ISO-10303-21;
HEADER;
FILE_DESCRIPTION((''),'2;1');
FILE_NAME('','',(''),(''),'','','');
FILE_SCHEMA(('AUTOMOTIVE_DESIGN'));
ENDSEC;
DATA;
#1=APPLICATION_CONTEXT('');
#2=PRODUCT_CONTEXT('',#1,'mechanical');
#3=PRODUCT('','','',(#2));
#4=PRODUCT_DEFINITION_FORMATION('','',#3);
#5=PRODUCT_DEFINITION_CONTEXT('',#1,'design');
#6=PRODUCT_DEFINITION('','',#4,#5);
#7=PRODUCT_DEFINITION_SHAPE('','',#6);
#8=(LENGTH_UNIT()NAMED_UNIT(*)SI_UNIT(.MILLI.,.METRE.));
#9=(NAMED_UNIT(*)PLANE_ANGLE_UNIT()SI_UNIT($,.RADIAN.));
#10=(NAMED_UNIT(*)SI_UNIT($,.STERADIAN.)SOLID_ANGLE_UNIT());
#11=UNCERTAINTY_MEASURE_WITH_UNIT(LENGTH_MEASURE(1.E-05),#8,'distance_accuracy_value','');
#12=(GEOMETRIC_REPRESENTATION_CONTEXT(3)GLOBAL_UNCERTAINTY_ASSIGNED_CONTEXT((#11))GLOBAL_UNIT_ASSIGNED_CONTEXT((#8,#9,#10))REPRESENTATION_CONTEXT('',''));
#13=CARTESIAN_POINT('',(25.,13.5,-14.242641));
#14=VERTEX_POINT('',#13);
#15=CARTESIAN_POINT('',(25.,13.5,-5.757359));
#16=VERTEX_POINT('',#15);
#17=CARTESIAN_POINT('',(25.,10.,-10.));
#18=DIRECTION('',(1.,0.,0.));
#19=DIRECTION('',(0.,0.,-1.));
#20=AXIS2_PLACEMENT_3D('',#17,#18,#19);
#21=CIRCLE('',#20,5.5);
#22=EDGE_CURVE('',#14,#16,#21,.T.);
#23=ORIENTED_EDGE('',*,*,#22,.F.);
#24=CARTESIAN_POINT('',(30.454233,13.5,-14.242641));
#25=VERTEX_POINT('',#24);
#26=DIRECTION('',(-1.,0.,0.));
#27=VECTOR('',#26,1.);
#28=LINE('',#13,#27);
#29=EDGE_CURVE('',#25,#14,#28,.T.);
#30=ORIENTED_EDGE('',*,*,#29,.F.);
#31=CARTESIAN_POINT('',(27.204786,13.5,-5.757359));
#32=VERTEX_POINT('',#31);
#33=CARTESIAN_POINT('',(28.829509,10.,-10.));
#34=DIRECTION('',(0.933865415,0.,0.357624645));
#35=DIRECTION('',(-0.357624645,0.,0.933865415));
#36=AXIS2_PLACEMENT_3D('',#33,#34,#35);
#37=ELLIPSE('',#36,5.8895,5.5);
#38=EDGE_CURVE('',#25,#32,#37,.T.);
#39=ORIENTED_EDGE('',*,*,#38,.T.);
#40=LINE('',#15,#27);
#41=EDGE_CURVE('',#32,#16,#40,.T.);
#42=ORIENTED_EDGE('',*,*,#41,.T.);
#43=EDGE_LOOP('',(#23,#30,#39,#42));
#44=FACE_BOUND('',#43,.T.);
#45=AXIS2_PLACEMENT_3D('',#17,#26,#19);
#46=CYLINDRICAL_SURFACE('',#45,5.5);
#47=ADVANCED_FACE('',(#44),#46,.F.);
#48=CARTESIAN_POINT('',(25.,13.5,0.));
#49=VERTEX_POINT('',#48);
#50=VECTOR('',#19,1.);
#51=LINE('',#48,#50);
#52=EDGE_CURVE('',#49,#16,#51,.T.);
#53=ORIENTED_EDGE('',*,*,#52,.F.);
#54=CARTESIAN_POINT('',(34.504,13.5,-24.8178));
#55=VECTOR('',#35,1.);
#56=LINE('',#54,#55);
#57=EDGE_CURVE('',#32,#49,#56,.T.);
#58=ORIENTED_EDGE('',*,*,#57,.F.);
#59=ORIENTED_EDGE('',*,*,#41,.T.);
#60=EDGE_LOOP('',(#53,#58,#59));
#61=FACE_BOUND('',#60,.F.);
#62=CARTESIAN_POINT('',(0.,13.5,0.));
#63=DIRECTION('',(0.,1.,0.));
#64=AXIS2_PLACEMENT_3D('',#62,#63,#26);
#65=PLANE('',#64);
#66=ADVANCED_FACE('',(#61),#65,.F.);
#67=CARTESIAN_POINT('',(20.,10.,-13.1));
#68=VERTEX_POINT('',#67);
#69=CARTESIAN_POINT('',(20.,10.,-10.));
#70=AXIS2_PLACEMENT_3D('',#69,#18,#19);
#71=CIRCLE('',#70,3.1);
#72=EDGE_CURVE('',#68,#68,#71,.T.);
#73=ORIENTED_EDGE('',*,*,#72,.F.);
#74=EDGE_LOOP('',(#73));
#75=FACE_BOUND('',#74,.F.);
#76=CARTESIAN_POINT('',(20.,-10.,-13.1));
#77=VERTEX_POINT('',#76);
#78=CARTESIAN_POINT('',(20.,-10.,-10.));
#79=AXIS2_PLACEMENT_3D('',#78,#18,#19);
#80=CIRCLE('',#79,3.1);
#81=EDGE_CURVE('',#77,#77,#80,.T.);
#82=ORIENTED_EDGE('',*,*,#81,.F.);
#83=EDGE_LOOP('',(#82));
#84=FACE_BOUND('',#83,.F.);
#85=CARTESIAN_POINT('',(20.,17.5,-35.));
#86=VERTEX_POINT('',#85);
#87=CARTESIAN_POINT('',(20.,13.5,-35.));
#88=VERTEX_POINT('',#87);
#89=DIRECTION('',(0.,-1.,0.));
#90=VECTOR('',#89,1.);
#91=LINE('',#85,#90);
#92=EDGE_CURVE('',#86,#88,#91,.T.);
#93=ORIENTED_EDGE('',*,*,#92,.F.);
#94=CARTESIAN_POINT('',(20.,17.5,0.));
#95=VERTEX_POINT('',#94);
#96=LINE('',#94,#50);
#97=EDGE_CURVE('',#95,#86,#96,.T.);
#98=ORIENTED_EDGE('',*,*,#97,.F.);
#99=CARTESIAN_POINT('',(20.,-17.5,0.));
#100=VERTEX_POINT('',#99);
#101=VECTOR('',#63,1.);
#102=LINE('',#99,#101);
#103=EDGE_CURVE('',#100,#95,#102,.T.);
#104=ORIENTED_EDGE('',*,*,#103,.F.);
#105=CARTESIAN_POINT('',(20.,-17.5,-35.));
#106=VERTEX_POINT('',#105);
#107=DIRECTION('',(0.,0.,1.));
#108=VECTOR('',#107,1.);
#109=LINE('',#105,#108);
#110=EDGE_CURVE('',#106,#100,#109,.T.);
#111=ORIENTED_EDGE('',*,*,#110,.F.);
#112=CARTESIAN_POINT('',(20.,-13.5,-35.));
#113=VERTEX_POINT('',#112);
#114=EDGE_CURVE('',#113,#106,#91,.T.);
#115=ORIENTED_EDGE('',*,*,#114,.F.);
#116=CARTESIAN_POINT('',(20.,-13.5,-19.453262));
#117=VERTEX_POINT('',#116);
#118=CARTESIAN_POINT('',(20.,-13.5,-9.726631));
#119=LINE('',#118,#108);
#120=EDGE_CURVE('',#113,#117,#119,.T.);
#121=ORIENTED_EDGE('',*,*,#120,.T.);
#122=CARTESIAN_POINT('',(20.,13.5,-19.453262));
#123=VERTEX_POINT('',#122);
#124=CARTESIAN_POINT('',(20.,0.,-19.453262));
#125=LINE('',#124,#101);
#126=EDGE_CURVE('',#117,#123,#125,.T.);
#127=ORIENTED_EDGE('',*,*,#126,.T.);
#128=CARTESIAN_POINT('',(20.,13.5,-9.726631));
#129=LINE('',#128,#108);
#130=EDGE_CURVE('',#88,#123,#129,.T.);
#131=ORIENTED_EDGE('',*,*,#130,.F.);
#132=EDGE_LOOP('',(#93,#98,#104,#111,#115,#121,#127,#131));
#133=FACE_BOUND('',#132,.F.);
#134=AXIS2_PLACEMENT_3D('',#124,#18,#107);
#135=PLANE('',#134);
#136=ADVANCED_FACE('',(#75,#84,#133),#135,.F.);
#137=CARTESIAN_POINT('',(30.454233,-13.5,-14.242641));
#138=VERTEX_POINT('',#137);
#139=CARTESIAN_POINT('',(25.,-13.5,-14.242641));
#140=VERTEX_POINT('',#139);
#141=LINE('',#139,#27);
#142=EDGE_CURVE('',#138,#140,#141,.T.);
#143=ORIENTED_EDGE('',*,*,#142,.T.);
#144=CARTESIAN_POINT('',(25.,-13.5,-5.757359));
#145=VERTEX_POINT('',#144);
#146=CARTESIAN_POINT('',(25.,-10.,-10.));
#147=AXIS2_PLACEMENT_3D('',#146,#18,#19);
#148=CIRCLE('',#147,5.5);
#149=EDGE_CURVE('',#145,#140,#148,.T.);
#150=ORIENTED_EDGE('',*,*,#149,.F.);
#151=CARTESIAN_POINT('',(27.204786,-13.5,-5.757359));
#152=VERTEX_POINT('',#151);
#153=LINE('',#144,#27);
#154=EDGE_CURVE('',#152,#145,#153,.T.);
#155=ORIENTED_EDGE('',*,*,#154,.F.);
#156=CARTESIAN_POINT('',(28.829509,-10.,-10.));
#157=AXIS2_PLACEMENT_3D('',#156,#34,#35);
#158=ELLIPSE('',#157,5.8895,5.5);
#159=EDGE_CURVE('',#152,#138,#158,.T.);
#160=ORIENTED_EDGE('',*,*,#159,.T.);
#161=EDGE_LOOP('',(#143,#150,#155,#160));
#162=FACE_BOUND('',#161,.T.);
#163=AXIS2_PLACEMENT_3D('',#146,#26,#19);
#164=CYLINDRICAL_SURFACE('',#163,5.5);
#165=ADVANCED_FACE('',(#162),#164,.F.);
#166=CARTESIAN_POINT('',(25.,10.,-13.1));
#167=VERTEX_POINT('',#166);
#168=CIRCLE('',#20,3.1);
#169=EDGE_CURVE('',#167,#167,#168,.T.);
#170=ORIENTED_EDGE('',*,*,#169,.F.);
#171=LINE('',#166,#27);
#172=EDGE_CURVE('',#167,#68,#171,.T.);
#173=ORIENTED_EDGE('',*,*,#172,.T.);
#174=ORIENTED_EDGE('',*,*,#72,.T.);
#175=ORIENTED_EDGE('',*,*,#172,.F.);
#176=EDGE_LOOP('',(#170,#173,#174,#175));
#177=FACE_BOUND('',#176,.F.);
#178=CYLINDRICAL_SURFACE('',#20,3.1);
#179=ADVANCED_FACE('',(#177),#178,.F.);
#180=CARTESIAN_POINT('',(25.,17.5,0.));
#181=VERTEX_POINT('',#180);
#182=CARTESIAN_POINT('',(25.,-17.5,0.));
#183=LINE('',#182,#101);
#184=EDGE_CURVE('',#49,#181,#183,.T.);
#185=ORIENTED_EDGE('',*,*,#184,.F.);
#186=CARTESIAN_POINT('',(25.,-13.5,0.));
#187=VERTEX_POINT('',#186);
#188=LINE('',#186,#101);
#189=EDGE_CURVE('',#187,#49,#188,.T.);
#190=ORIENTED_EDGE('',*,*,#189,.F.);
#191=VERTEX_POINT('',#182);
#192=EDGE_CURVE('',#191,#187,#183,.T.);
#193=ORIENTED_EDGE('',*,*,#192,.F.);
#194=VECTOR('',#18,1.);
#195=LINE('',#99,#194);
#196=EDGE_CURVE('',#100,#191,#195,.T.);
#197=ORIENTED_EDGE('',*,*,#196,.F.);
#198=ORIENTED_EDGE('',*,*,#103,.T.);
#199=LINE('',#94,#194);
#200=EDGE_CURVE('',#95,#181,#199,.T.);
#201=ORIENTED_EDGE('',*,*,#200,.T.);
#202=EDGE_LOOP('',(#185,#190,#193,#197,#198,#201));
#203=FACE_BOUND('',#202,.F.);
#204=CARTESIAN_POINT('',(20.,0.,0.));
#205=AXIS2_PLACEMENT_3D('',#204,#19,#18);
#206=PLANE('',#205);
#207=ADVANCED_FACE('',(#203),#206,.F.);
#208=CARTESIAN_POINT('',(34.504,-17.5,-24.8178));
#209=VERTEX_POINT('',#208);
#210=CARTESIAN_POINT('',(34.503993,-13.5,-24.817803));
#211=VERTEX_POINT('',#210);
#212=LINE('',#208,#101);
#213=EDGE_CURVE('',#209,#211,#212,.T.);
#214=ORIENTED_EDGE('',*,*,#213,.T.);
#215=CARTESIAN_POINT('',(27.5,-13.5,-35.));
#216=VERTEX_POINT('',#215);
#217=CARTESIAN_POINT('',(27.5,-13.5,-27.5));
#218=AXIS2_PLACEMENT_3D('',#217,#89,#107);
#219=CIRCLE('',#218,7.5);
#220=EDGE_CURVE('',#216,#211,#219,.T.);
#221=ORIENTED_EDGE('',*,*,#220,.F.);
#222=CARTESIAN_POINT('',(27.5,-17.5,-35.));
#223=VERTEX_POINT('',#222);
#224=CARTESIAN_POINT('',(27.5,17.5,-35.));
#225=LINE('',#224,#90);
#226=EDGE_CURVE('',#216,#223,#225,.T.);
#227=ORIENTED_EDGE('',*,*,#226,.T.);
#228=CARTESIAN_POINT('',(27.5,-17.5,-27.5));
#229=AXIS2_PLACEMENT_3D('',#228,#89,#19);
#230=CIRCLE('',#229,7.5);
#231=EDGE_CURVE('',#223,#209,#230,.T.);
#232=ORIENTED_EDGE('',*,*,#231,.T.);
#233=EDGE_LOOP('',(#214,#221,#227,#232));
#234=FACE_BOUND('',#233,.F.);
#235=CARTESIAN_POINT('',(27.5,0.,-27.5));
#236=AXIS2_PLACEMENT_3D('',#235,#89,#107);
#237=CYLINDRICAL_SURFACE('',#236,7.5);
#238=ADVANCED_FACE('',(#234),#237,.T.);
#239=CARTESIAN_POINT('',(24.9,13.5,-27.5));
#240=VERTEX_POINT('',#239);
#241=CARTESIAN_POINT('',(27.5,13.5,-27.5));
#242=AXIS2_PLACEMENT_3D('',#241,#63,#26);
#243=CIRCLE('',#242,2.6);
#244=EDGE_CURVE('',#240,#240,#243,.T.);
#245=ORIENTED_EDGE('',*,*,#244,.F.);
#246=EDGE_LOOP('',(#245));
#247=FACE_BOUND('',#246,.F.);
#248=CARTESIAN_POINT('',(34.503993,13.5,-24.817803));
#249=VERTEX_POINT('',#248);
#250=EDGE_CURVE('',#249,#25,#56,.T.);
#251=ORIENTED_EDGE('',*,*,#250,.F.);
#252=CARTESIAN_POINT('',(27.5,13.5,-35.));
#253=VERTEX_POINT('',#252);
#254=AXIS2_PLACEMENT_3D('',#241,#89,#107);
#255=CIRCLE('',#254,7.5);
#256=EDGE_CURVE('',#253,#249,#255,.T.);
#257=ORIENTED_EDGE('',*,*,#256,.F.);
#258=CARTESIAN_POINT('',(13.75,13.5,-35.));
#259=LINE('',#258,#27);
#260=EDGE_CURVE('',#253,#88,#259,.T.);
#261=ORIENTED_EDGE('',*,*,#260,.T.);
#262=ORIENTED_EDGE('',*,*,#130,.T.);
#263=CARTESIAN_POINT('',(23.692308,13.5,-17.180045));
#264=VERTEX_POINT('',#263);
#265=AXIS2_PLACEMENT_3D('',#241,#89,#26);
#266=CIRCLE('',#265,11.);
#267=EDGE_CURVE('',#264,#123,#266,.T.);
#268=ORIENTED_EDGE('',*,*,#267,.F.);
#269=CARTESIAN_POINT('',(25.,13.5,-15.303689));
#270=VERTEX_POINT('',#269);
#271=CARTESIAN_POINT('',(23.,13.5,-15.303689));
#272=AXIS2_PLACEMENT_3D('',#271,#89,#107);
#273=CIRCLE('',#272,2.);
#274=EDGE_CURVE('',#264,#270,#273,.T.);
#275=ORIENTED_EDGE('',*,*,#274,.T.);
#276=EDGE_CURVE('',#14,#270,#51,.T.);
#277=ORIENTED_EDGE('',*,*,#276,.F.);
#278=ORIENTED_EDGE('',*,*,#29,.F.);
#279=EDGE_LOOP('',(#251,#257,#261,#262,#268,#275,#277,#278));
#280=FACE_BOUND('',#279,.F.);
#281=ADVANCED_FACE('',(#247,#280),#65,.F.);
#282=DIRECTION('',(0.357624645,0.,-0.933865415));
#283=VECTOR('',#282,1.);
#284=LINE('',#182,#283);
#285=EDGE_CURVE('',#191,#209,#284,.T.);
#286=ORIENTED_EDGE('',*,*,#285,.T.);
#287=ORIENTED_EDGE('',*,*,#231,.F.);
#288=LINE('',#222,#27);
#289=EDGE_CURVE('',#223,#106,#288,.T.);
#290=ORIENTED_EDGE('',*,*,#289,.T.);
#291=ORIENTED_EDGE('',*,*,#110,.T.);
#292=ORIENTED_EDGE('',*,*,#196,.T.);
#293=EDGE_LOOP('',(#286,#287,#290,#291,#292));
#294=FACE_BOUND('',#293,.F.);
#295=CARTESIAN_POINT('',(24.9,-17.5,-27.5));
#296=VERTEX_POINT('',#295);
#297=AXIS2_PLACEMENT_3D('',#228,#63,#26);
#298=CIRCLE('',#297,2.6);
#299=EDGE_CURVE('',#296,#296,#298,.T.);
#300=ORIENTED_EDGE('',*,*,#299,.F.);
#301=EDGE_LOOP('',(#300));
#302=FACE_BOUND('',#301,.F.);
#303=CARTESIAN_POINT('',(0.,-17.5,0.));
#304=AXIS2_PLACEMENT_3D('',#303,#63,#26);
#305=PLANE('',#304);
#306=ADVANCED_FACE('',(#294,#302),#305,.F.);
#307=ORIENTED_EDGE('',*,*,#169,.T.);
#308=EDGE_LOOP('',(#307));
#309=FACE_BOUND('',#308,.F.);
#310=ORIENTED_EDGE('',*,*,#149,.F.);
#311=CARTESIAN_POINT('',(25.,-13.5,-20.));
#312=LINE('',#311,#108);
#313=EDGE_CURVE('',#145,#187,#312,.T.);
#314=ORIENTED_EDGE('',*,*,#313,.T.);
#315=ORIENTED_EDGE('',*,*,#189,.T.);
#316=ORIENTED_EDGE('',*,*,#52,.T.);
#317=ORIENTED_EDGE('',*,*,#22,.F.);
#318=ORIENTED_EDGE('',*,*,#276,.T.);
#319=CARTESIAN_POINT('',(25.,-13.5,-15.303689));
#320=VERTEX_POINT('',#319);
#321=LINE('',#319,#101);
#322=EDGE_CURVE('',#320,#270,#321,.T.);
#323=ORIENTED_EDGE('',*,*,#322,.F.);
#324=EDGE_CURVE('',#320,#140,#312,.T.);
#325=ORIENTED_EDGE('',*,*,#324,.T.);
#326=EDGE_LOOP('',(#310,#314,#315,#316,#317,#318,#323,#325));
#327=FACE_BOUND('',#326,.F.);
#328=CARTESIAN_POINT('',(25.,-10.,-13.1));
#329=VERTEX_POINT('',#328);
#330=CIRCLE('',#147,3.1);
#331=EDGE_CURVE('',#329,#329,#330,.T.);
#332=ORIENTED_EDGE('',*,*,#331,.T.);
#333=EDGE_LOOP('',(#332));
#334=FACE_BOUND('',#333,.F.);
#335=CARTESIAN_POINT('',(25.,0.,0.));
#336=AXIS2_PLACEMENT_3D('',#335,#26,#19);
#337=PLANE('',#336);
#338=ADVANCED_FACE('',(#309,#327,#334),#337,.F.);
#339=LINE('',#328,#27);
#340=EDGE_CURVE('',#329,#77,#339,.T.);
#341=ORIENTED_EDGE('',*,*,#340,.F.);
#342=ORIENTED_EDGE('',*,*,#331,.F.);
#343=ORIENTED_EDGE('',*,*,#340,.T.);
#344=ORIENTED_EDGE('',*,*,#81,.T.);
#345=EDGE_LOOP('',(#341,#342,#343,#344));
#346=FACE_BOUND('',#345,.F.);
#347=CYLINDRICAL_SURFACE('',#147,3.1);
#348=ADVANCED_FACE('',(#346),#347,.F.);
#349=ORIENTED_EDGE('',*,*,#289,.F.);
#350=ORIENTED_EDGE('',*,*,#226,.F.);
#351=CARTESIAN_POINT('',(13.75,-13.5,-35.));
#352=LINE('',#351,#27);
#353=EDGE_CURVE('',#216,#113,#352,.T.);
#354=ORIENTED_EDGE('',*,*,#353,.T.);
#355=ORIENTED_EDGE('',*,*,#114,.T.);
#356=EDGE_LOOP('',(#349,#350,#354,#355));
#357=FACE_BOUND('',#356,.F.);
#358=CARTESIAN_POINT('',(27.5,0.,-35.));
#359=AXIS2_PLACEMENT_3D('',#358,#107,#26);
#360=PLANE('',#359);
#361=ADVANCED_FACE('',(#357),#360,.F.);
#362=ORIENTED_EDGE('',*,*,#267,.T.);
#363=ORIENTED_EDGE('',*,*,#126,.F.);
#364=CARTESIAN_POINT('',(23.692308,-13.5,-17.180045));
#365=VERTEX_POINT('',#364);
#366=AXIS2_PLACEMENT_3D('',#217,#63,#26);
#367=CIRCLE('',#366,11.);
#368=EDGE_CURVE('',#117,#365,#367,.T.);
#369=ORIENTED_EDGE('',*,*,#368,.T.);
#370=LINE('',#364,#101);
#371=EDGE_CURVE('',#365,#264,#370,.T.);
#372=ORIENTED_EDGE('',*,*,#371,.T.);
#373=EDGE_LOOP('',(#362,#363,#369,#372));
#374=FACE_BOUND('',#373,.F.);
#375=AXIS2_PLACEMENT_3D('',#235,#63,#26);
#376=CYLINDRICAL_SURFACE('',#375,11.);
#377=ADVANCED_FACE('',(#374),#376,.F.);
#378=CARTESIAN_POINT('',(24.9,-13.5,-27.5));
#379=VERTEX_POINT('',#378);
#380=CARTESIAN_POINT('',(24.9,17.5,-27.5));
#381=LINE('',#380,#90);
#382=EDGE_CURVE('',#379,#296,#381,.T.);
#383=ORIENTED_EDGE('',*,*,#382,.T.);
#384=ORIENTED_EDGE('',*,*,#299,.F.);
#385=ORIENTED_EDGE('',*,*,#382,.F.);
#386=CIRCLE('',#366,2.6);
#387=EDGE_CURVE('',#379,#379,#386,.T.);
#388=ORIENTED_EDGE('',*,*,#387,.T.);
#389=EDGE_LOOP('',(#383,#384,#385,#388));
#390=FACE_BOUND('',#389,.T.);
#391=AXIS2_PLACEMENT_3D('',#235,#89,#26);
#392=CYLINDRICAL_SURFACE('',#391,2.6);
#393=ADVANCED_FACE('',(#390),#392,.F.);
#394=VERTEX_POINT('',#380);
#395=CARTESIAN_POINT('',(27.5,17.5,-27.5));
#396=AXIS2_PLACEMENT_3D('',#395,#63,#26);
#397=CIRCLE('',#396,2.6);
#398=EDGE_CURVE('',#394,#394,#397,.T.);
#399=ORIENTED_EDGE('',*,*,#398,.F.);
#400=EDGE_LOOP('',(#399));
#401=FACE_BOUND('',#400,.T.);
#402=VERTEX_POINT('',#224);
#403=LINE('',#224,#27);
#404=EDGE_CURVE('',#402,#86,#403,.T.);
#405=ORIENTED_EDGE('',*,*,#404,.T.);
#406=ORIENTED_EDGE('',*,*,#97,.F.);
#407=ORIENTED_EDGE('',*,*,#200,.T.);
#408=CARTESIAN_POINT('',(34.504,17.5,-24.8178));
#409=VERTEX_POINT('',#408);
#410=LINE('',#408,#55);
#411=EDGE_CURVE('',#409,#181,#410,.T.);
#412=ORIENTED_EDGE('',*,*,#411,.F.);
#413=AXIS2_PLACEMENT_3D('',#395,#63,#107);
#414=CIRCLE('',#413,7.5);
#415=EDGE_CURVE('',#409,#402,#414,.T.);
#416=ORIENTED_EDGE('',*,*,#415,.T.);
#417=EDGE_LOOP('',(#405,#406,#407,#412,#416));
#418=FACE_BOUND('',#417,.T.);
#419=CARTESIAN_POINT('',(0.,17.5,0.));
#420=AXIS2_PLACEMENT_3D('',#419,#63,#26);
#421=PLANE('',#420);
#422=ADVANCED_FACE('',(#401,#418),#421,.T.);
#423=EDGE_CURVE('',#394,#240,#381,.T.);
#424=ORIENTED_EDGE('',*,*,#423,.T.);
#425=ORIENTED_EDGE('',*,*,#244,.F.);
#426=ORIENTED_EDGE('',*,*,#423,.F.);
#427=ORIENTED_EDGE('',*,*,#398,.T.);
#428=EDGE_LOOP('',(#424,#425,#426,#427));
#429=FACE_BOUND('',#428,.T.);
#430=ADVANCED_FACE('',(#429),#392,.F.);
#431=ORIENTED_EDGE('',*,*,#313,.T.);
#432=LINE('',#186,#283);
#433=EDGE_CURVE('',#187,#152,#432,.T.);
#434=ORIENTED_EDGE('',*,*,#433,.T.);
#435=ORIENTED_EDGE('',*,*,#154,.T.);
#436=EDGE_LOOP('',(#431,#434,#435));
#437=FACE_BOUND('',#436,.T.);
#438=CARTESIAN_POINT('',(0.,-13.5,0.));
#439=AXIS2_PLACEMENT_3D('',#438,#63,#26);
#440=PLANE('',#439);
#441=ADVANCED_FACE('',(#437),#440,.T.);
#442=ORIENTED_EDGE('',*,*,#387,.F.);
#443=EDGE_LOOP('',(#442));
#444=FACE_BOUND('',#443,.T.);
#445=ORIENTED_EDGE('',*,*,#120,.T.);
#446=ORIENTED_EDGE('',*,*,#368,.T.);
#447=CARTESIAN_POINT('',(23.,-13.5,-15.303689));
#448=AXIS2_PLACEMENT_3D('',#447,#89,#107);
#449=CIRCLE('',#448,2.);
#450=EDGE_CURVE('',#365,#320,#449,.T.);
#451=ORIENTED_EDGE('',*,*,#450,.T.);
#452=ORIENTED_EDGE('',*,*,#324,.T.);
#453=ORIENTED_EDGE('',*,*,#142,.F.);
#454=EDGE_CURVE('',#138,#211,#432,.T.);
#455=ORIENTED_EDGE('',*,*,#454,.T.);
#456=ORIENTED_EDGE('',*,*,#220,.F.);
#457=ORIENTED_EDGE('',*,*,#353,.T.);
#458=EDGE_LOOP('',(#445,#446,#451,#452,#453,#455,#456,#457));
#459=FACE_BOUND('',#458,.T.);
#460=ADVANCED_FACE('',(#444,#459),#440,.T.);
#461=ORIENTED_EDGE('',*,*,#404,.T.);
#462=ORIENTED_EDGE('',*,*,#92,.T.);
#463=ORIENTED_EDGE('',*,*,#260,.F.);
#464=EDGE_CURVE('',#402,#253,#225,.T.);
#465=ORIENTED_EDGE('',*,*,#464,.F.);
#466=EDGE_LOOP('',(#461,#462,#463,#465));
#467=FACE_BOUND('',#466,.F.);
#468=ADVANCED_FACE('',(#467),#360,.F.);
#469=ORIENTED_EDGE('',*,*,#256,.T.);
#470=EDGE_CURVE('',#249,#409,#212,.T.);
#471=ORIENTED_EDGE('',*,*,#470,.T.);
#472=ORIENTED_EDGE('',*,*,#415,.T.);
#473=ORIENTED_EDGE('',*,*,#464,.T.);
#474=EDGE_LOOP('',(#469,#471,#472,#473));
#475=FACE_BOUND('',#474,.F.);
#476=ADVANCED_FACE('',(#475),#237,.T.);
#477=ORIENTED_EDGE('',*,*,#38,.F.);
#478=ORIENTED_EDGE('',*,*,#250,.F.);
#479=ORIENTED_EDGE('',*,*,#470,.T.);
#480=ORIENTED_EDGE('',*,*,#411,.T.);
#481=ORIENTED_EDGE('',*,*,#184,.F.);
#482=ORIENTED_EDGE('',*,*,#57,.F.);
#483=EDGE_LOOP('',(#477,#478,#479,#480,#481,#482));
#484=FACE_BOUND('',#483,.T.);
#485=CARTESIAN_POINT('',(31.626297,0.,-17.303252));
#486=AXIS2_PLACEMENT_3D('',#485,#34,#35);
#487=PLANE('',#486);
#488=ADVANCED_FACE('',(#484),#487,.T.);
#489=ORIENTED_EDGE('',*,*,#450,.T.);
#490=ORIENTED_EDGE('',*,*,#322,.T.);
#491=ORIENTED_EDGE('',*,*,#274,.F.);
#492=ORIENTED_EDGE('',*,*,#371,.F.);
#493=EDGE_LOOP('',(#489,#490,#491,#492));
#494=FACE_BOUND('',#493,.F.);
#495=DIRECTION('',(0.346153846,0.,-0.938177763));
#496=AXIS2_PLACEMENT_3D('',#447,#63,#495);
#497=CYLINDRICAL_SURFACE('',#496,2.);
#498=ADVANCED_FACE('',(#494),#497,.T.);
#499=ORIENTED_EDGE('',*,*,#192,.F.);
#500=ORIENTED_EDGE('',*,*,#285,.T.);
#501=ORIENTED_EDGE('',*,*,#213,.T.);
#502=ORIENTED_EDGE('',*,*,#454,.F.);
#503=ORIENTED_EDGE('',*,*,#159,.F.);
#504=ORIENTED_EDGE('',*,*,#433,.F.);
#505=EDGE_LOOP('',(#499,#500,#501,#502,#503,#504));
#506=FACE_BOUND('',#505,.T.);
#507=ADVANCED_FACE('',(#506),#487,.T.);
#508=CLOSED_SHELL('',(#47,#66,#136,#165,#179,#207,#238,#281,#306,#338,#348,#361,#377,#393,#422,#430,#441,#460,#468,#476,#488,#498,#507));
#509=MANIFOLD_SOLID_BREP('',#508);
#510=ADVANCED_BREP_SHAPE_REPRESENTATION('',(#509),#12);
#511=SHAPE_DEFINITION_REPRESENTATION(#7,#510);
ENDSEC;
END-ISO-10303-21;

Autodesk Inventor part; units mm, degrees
ref_plane "YZ Plane" through (0, 0, 0) normal (1, 0, 0) x (0, 1, 0)
ref_plane "XZ Plane" through (0, 0, 0) normal (0, 1, 0) x (-1, 0, 0)
ref_plane "XY Plane" through (0, 0, 0) normal (0, 0, 1) x (1, 0, 0)
sketch "Sketch1" plane through (0, 0, 0) normal (0, 1, 0) x (-1, 0, 0)
  line L0 (0, 0) -> (-20, 0) construction
  line L1 (-20, 0) -> (-20, -20) construction
  line L2 (-20, -20) -> (0, -20) construction
  line L3 (0, -20) -> (0, 0) construction
  circle A0 centre (-27.5, -27.5) radius 2.6
  circle A1 centre (-27.5, -27.5) radius 9 construction
  line L4 (-20, 0) -> (-25, 0)
  line L5 (-25, 0) -> (-25, -20)
  line L6 (-20, -20) -> (-20, 0)
  arc A2 (-27.5, -20) -> (-27.5, -35) centre (-27.5, -27.5) ccw
  line L7 (-27.5, -35) -> (-20, -35)
  line L8 (-20, -20) -> (-20, -35)
  arc A3 (-27.5, -35) -> (-27.5, -20) centre (-27.5, -27.5) ccw construction
  line L9 (-27.5, -20) -> (-25, -20)
  circle A4 centre (-27.5, -27.5) radius 11
  line L10 (-34.504, -24.8178) -> (-25, 0)
  point P0 (-20, -19.4533)
  point P1 (-31.6263, -17.3032)
  dimension "d0" = 20
  dimension "d1" = 20
  dimension "d4" = 5.2
  dimension "d11" = 7.5
  dimension "d12" = 18
  dimension "d14" = 7.5
  dimension "d15" = 5
  dimension "d16" = 15
  dimension "d34" = 2
  dimension "d36" = 0
extrude "Extrusion1" add sketch "Sketch1" along normal mid plane 35 contours L6 A4 L5 L4 | L6 L8 L7 A2 L9 L5 A4
extrude "Extrusion4" cut sketch "Sketch1" along normal mid plane 27 contours A4 L10 A2 L7 L8 L6 | L6 L8 L7 A2 L9 L5 A4 | L5 L9 A2 L10 A4
sketch "Sketch3" plane through (25, -17.5, 0) normal (1, 0, 0) x (0, 0, -1)
  line L0 (35, 35) -> (0, 35) construction
  line L1 (10, 34.6833) -> (10, 0) construction
  circle A0 centre (10, 27.5) radius 3.1
  circle A1 centre (10, 7.5) radius 3.1
  circle A2 centre (10, 27.5) radius 5.5
  circle A3 centre (10, 7.5) radius 5.5
  line L2 (20, 0) -> (0, 0) projected
  line L3 (0, 0) -> (0, 35) projected
  point P0 (20, 35)
  point P1 (16.4634, 0)
  dimension "d22" = 6.2
  dimension "d23" = 6.2
  dimension "d24" = 7.5
  dimension "d41" = 11
  dimension "d42" = 11
  dimension "d43" = 7.5
  dimension "d50" = 10
extrude "Extrusion3" cut sketch "Sketch3" against normal up to surface (5 mm away) contours A0 | A1
extrude "Extrusion5" add sketch "Sketch1" along normal mid plane 35 contours L5 A4 L10 | L5 L9 A2 L10 A4
extrude "Extrusion6" cut sketch "Sketch1" along normal mid plane 27 contours L5 A4 L10 | L5 L9 A2 L10 A4
extrude "Extrusion7" cut sketch "Sketch3" along normal up to next
fillet "Fillet3" radius 2 1 edges at (25, 0, -16.7879)
properties part number "IdlerPulley Holder"
